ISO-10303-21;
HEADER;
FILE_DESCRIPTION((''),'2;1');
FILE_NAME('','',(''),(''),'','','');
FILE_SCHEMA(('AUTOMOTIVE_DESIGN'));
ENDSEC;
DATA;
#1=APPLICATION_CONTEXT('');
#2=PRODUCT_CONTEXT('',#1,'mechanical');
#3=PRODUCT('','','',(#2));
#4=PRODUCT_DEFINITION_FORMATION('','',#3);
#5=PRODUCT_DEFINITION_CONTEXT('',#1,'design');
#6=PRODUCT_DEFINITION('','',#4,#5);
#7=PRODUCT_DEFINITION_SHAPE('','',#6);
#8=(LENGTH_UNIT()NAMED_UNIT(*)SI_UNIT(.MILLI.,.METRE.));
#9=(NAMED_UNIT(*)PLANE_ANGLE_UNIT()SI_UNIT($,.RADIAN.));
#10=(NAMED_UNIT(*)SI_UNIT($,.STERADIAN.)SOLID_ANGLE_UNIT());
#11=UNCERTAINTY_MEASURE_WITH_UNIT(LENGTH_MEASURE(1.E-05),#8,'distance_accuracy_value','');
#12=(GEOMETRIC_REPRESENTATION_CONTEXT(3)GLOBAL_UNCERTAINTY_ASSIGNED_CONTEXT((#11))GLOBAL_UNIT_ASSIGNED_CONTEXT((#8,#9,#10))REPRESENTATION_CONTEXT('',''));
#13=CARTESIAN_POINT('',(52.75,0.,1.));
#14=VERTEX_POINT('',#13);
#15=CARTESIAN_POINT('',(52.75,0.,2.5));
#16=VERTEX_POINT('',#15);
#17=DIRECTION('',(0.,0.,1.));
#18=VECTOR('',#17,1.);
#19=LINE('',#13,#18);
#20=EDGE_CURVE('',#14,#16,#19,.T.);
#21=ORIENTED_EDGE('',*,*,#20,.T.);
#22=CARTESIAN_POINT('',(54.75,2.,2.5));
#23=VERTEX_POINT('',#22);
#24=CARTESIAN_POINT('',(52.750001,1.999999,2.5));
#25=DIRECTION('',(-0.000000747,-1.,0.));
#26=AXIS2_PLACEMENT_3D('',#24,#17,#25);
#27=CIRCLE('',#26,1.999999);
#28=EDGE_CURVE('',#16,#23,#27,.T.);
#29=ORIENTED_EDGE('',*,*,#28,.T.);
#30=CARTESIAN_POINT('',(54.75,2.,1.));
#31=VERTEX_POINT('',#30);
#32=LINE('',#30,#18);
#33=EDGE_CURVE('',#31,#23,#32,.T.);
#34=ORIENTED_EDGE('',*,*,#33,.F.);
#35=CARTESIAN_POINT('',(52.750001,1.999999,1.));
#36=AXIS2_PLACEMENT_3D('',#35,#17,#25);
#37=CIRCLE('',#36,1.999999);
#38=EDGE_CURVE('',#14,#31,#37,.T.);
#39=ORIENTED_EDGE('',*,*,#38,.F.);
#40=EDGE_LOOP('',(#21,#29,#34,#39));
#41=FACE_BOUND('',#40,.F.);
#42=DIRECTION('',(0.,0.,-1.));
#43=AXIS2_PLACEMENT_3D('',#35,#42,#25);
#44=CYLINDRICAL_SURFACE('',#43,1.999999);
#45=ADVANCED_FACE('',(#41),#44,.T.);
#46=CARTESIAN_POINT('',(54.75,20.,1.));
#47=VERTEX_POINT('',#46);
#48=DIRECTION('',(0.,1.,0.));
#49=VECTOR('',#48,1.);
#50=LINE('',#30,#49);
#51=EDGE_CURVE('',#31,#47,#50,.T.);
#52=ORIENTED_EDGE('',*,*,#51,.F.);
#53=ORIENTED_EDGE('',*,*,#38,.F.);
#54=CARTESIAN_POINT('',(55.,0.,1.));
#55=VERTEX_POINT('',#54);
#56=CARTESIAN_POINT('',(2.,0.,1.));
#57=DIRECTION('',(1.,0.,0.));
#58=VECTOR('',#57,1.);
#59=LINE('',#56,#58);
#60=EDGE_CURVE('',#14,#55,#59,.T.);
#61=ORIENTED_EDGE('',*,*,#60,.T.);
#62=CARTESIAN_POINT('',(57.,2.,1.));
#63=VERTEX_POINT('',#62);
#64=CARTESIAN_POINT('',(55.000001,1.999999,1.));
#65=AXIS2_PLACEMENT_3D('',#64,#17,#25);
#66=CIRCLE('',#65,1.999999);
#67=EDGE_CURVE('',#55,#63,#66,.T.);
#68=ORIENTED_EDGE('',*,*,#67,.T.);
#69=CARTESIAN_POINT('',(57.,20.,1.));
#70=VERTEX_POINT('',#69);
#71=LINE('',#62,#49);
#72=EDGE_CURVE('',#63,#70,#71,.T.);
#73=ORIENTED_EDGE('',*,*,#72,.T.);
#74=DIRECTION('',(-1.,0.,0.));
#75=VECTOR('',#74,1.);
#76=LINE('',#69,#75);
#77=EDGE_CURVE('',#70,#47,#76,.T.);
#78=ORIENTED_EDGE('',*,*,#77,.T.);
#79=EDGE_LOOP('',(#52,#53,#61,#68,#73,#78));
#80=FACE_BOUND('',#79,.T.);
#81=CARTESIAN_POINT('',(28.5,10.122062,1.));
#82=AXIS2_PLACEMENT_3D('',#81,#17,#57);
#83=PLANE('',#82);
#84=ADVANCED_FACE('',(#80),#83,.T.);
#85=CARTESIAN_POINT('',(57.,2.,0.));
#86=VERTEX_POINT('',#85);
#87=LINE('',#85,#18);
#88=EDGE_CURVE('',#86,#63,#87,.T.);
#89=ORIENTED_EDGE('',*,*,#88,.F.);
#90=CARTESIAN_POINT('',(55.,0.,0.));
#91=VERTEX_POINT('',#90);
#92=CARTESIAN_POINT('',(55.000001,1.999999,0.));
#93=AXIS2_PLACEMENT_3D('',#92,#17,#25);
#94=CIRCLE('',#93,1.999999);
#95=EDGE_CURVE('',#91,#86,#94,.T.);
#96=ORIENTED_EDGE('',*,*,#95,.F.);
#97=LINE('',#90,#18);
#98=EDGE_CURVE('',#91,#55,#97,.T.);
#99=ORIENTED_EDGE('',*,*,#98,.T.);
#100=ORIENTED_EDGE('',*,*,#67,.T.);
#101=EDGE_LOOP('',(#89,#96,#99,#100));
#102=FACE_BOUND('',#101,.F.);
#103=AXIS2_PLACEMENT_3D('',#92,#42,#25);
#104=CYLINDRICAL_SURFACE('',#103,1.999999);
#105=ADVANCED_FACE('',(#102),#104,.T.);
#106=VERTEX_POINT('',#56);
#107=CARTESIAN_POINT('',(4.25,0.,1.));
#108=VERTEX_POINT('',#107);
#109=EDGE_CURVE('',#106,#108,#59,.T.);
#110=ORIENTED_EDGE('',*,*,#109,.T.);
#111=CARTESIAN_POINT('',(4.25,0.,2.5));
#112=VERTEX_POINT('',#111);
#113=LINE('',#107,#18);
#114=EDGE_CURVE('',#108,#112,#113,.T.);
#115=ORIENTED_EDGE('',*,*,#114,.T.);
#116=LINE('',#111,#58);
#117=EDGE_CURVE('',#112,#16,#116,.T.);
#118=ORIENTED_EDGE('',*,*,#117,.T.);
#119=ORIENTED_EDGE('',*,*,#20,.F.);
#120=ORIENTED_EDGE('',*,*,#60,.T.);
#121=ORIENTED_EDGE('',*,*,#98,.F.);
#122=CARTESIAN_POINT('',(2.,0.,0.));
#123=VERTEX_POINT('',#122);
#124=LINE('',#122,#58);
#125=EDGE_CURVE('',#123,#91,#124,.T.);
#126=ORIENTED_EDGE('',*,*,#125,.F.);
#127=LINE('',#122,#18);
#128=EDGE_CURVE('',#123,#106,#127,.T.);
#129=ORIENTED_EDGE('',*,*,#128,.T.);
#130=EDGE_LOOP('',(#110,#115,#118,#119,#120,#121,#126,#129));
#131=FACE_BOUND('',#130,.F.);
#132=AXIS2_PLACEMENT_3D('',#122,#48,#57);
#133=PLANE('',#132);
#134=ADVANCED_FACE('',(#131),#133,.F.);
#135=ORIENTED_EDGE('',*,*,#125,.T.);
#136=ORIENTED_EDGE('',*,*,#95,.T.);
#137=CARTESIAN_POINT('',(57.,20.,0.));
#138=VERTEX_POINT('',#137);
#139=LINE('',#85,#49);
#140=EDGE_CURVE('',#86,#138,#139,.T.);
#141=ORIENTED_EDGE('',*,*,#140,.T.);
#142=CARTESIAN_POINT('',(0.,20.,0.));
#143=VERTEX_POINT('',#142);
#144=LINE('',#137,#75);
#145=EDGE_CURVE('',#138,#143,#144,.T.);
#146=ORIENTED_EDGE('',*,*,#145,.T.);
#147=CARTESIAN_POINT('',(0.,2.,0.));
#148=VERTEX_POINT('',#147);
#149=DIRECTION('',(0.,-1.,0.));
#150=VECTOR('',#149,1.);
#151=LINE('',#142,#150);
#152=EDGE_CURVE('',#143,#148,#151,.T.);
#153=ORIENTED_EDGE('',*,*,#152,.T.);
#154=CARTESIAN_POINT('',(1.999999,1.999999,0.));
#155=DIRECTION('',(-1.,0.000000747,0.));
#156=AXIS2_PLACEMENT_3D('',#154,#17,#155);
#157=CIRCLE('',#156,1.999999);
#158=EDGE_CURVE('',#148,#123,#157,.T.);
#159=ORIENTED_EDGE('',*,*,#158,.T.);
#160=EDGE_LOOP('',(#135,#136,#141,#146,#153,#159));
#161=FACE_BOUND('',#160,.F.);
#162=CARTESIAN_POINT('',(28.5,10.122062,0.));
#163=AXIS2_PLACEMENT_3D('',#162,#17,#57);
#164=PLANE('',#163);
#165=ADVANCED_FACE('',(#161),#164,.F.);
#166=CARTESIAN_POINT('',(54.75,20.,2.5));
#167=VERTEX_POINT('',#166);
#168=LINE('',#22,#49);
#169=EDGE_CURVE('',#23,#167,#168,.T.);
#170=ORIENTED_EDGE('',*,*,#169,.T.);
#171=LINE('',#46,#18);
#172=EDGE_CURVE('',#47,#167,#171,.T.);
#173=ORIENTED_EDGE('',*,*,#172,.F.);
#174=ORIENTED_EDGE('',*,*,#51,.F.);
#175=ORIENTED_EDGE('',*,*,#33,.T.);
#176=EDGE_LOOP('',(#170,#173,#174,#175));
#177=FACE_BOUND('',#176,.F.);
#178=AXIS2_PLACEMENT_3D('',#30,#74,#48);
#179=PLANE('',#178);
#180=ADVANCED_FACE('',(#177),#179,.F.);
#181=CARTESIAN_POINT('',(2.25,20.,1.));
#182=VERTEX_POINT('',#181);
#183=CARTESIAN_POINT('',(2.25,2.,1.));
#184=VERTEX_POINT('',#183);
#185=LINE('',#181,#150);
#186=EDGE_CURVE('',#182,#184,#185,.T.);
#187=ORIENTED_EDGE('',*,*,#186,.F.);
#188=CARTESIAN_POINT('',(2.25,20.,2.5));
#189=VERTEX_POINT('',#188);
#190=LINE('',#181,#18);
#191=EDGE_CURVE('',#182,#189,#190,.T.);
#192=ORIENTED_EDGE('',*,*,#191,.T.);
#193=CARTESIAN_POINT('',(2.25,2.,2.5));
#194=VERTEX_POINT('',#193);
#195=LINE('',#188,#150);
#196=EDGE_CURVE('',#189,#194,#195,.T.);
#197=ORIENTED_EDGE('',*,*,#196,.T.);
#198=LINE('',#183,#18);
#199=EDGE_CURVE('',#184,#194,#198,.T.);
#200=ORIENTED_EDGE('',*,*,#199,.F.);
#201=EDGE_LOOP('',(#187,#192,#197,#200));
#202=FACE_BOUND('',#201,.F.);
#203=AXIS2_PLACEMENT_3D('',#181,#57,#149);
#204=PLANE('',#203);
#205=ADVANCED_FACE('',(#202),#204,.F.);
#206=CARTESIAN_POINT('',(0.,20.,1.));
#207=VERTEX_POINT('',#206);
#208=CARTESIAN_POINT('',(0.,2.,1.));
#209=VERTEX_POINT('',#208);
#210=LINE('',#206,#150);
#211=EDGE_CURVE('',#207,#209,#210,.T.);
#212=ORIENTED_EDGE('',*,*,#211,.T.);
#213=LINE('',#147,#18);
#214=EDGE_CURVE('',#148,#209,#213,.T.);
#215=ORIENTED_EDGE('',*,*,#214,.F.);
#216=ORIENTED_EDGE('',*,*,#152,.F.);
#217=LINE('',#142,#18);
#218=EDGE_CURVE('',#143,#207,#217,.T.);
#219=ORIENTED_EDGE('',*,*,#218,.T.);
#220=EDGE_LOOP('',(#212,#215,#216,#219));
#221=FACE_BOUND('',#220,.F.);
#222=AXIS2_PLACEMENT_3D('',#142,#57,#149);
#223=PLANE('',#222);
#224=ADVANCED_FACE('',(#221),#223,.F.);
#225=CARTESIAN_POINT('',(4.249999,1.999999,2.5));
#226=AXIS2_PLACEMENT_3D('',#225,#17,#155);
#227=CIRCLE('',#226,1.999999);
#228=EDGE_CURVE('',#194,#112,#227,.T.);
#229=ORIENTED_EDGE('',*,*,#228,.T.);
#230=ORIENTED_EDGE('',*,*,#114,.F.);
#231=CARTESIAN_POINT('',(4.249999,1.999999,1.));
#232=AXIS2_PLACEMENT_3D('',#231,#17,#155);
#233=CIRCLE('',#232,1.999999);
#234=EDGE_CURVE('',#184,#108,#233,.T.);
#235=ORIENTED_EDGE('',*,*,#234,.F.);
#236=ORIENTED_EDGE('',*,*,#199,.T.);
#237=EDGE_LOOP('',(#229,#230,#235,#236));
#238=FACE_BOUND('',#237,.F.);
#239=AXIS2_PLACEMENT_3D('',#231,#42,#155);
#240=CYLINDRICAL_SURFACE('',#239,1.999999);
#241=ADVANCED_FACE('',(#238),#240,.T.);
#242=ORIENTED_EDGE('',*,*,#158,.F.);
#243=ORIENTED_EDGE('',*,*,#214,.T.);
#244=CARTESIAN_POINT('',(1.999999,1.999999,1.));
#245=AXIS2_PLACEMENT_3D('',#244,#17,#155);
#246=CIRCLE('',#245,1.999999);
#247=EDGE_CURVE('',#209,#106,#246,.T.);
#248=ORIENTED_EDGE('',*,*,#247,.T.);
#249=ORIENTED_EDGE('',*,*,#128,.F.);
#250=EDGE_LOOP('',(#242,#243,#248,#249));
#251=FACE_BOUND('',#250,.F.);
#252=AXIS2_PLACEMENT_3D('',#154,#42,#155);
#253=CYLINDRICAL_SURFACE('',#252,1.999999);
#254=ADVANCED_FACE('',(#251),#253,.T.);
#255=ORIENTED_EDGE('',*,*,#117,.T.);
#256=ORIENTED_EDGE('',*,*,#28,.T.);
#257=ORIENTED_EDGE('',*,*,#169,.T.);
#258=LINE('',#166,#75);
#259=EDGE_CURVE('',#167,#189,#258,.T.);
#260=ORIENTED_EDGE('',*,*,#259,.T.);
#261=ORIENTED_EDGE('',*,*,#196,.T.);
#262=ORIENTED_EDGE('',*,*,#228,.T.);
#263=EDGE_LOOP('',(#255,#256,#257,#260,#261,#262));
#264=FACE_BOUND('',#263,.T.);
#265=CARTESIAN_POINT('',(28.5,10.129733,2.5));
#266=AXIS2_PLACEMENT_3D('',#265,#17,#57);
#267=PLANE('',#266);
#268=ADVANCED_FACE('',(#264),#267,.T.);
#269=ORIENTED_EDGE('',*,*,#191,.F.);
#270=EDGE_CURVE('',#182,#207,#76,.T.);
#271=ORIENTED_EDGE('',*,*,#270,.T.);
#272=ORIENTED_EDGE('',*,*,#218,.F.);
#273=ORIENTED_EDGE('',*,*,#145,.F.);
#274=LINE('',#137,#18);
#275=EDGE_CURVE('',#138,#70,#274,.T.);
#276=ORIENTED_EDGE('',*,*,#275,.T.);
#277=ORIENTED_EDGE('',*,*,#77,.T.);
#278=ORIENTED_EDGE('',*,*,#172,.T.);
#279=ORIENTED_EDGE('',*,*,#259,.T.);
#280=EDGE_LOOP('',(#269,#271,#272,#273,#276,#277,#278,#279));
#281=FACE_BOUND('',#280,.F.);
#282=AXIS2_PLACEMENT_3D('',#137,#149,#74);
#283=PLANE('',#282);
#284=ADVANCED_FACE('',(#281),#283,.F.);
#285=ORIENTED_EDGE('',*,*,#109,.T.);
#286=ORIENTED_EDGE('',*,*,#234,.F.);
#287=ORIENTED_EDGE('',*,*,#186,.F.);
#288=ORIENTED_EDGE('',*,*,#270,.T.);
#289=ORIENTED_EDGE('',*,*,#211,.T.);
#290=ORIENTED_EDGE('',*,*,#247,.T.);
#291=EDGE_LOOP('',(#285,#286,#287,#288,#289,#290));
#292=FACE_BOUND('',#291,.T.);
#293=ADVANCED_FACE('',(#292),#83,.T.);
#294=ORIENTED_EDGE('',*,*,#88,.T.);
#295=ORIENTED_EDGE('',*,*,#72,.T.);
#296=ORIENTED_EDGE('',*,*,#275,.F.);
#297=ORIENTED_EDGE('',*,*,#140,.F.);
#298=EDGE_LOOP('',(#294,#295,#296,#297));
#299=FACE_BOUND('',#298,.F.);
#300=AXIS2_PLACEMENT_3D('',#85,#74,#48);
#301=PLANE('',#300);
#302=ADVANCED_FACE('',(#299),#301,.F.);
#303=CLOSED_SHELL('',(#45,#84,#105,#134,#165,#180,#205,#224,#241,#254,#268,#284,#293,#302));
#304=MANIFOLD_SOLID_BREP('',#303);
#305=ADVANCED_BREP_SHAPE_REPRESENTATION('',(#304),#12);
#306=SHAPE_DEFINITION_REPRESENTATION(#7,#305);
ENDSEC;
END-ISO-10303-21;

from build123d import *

# Parameters (mm, degrees)
F1_DEPTH = 1
F3_DEPTH = 1.5


with BuildPart() as f1:
    # F0 (on Top) → F1 (new body)
    with BuildSketch(Plane.XY):
        with BuildLine():
            ThreePointArc((0, 2), (0.585786, 0.585786), (2, 0))
            Line((2, 0), (55, 0))
            ThreePointArc((55, 0), (56.414214, 0.585786), (57, 2))
            Line((57, 2), (57, 20))
            Line((57, 20), (0, 20))
            Line((0, 20), (0, 2))
        make_face()
    extrude(amount=F1_DEPTH)

    # F2 (on face) → F3 (join)
    with BuildSketch(Plane.XY.offset(1)):
        with BuildLine():
            Line((54.75, 20), (2.25, 20))
            Line((2.25, 20), (2.25, 2))
            ThreePointArc((2.25, 2), (2.835786, 0.585786), (4.25, 0))
            Line((4.25, 0), (52.75, 0))
            ThreePointArc((52.75, 0), (54.164214, 0.585786), (54.75, 2))
            Line((54.75, 2), (54.75, 20))
        make_face()
    extrude(amount=F3_DEPTH)


solid = f1.part
